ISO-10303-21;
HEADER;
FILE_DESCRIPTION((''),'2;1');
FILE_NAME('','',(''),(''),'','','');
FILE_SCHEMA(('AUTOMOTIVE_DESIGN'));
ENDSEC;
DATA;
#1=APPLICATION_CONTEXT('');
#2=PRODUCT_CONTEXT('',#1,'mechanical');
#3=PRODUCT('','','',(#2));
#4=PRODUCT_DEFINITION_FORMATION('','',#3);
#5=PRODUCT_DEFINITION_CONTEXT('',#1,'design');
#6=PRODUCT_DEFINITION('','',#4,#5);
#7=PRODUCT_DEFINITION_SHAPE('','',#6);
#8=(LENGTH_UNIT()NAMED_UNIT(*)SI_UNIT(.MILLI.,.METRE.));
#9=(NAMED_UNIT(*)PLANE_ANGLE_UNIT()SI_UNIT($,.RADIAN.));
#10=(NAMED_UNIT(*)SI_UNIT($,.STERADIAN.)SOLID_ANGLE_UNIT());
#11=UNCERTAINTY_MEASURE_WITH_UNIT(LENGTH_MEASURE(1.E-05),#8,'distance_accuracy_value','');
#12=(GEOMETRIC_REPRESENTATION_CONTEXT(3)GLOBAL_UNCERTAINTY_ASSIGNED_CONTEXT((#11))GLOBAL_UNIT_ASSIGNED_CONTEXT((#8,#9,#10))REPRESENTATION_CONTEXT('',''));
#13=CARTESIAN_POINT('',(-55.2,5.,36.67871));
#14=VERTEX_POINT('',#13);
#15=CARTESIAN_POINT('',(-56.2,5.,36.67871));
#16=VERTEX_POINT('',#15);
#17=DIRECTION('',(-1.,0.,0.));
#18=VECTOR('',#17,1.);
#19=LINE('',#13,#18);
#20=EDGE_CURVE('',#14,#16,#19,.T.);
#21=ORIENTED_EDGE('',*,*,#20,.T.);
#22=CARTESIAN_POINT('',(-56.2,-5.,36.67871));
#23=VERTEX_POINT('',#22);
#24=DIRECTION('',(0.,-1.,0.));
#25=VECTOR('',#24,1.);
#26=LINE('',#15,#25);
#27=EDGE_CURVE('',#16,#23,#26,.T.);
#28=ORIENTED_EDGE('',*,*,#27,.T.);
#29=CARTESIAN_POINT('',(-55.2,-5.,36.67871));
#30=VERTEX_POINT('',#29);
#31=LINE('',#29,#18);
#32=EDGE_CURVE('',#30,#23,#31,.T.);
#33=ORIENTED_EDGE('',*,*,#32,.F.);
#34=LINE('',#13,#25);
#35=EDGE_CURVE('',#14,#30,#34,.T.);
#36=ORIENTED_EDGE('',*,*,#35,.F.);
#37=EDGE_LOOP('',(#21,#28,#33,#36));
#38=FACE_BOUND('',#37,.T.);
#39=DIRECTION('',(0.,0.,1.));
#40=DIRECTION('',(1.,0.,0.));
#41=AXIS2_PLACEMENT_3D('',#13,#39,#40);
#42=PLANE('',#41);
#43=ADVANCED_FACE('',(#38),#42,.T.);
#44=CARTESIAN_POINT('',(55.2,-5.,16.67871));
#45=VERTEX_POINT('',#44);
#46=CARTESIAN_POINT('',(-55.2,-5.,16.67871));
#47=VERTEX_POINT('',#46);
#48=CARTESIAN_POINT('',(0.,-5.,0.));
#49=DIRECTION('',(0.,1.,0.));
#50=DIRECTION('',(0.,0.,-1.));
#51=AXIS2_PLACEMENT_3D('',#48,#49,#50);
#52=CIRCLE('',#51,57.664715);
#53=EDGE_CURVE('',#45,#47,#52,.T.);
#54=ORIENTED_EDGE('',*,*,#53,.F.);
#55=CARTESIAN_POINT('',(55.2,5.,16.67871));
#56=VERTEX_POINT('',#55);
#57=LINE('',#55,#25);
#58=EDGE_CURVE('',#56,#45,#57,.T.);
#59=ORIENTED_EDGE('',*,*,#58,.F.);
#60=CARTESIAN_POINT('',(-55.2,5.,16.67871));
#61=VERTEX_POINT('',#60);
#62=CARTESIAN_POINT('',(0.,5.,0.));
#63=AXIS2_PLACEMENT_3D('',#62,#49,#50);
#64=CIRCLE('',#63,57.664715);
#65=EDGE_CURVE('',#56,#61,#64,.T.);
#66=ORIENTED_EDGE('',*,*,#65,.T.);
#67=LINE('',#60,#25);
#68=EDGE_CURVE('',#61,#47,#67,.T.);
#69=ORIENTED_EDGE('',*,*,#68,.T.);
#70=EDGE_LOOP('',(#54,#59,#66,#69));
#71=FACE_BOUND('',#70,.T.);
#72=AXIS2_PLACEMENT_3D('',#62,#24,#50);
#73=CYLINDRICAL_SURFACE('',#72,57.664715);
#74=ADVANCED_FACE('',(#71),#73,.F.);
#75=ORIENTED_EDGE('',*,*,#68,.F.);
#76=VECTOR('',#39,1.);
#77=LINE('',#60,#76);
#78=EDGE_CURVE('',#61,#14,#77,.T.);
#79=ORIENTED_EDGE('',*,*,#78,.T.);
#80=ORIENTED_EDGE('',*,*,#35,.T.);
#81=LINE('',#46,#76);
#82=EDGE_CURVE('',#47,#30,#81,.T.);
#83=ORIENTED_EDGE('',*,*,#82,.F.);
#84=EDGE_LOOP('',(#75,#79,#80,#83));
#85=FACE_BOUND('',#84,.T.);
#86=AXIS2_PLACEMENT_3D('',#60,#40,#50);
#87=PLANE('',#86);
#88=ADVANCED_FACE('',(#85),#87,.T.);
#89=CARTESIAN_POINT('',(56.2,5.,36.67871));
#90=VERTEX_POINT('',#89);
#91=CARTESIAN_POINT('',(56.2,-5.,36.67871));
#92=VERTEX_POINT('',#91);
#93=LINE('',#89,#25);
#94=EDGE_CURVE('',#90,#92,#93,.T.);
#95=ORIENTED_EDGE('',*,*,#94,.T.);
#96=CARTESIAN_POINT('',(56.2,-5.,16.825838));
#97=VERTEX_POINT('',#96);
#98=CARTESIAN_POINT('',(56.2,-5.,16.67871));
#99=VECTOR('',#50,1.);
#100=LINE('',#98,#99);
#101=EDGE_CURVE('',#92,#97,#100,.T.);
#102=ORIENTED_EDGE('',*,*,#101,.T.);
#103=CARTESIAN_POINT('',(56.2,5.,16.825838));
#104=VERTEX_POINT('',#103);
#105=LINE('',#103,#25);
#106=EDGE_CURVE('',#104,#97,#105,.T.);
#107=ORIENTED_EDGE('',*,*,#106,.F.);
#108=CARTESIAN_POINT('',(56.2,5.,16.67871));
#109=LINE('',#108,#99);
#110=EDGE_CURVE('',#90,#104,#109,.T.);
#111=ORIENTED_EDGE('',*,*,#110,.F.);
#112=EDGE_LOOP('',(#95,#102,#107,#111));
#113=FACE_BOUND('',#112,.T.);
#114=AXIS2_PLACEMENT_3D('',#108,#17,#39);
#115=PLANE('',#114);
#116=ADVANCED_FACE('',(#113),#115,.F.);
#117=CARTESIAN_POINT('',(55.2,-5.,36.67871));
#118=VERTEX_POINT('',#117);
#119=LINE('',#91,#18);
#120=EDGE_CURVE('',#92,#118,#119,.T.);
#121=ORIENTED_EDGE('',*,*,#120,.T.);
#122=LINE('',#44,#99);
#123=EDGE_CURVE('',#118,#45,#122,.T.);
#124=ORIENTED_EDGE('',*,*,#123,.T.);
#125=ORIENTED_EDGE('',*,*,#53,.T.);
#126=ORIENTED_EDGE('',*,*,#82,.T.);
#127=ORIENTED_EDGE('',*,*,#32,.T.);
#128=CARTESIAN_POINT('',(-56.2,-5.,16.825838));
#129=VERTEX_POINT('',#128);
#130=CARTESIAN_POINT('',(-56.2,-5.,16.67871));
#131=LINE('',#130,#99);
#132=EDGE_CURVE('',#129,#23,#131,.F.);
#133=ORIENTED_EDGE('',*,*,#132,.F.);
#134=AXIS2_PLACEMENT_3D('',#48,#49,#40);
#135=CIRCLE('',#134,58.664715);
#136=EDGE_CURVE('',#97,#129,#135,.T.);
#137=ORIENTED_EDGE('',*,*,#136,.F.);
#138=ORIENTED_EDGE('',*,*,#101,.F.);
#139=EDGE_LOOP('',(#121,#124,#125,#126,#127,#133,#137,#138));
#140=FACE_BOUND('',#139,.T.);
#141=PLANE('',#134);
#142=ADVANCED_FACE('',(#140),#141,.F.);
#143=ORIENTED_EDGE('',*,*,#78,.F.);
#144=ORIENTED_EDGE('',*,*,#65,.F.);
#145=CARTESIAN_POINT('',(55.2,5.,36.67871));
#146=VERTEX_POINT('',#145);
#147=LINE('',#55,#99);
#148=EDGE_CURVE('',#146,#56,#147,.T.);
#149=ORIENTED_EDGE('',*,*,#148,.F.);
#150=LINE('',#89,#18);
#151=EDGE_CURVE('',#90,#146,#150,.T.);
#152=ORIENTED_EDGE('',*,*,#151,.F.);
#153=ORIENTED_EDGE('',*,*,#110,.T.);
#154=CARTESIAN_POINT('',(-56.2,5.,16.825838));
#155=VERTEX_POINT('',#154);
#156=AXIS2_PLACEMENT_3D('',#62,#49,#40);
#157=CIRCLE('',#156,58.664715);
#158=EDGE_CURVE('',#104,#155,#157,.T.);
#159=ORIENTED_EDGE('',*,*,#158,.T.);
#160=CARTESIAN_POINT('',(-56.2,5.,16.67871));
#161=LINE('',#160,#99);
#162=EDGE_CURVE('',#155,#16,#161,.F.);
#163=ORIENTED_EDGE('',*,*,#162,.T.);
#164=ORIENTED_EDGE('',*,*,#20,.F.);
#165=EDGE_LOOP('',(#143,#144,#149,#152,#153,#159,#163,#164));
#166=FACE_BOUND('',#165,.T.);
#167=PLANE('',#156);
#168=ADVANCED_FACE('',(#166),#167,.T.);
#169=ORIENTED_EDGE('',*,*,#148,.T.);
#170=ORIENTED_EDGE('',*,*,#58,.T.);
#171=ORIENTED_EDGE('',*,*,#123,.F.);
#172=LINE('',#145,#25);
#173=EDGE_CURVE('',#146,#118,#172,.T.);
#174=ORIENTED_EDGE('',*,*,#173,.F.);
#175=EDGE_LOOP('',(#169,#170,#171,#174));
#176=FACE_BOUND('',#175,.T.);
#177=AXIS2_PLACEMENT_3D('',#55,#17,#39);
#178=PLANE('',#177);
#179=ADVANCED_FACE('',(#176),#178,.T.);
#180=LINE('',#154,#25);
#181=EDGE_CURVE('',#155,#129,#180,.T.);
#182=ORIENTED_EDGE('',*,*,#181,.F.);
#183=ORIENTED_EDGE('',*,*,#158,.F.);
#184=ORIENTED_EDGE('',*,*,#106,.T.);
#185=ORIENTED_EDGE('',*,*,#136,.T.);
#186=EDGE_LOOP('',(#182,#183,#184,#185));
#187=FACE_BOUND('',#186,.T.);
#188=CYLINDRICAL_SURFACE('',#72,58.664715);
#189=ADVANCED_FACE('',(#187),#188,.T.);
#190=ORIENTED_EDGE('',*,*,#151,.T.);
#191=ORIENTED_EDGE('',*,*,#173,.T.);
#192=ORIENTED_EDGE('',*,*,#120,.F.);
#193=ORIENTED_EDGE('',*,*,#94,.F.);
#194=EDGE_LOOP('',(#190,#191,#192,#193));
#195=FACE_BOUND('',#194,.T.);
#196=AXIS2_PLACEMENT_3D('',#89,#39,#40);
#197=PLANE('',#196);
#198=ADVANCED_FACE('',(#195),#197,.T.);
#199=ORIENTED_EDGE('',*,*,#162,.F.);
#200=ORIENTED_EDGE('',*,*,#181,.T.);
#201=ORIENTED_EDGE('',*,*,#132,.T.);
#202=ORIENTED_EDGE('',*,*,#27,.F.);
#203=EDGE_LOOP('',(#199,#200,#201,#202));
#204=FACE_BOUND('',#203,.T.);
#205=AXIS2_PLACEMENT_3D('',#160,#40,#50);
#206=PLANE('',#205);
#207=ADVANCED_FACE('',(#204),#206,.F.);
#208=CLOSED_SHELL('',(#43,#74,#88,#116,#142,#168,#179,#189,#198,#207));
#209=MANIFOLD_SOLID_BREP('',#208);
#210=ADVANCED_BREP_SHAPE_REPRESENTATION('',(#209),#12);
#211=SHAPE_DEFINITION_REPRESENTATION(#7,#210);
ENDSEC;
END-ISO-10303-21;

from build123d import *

# Parameters (mm, degrees)
EXTRUDE_THIN1_DEPTH = 5


with BuildPart() as part:
    # Sketch1 → Extrude-Thin1 (new, symmetric)
    with BuildSketch(Plane(origin=(0, 0, 0), x_dir=(1, 0, 0), z_dir=(0, 1, 0))):
        with BuildLine():
            Line((55.2, -36.678710461), (55.2, -16.678710461))
            ThreePointArc((55.2, -16.678710461), (0, 57.664715231), (-55.2, -16.678710461))
            Line((-55.2, -16.678710461), (-55.2, -36.678710461))
            Line((-55.2, -36.678710461), (-56.2, -36.678710461))
            Line((-56.2, -36.678710461), (-56.2, -16.825837665))
            ThreePointArc((-56.2, -16.825837665), (0, 58.664715231), (56.2, -16.825837665))
            Line((56.2, -16.825837665), (56.2, -36.678710461))
            Line((56.2, -36.678710461), (55.2, -36.678710461))
        make_face()
    extrude(amount=EXTRUDE_THIN1_DEPTH, both=True)


solid = part.part
